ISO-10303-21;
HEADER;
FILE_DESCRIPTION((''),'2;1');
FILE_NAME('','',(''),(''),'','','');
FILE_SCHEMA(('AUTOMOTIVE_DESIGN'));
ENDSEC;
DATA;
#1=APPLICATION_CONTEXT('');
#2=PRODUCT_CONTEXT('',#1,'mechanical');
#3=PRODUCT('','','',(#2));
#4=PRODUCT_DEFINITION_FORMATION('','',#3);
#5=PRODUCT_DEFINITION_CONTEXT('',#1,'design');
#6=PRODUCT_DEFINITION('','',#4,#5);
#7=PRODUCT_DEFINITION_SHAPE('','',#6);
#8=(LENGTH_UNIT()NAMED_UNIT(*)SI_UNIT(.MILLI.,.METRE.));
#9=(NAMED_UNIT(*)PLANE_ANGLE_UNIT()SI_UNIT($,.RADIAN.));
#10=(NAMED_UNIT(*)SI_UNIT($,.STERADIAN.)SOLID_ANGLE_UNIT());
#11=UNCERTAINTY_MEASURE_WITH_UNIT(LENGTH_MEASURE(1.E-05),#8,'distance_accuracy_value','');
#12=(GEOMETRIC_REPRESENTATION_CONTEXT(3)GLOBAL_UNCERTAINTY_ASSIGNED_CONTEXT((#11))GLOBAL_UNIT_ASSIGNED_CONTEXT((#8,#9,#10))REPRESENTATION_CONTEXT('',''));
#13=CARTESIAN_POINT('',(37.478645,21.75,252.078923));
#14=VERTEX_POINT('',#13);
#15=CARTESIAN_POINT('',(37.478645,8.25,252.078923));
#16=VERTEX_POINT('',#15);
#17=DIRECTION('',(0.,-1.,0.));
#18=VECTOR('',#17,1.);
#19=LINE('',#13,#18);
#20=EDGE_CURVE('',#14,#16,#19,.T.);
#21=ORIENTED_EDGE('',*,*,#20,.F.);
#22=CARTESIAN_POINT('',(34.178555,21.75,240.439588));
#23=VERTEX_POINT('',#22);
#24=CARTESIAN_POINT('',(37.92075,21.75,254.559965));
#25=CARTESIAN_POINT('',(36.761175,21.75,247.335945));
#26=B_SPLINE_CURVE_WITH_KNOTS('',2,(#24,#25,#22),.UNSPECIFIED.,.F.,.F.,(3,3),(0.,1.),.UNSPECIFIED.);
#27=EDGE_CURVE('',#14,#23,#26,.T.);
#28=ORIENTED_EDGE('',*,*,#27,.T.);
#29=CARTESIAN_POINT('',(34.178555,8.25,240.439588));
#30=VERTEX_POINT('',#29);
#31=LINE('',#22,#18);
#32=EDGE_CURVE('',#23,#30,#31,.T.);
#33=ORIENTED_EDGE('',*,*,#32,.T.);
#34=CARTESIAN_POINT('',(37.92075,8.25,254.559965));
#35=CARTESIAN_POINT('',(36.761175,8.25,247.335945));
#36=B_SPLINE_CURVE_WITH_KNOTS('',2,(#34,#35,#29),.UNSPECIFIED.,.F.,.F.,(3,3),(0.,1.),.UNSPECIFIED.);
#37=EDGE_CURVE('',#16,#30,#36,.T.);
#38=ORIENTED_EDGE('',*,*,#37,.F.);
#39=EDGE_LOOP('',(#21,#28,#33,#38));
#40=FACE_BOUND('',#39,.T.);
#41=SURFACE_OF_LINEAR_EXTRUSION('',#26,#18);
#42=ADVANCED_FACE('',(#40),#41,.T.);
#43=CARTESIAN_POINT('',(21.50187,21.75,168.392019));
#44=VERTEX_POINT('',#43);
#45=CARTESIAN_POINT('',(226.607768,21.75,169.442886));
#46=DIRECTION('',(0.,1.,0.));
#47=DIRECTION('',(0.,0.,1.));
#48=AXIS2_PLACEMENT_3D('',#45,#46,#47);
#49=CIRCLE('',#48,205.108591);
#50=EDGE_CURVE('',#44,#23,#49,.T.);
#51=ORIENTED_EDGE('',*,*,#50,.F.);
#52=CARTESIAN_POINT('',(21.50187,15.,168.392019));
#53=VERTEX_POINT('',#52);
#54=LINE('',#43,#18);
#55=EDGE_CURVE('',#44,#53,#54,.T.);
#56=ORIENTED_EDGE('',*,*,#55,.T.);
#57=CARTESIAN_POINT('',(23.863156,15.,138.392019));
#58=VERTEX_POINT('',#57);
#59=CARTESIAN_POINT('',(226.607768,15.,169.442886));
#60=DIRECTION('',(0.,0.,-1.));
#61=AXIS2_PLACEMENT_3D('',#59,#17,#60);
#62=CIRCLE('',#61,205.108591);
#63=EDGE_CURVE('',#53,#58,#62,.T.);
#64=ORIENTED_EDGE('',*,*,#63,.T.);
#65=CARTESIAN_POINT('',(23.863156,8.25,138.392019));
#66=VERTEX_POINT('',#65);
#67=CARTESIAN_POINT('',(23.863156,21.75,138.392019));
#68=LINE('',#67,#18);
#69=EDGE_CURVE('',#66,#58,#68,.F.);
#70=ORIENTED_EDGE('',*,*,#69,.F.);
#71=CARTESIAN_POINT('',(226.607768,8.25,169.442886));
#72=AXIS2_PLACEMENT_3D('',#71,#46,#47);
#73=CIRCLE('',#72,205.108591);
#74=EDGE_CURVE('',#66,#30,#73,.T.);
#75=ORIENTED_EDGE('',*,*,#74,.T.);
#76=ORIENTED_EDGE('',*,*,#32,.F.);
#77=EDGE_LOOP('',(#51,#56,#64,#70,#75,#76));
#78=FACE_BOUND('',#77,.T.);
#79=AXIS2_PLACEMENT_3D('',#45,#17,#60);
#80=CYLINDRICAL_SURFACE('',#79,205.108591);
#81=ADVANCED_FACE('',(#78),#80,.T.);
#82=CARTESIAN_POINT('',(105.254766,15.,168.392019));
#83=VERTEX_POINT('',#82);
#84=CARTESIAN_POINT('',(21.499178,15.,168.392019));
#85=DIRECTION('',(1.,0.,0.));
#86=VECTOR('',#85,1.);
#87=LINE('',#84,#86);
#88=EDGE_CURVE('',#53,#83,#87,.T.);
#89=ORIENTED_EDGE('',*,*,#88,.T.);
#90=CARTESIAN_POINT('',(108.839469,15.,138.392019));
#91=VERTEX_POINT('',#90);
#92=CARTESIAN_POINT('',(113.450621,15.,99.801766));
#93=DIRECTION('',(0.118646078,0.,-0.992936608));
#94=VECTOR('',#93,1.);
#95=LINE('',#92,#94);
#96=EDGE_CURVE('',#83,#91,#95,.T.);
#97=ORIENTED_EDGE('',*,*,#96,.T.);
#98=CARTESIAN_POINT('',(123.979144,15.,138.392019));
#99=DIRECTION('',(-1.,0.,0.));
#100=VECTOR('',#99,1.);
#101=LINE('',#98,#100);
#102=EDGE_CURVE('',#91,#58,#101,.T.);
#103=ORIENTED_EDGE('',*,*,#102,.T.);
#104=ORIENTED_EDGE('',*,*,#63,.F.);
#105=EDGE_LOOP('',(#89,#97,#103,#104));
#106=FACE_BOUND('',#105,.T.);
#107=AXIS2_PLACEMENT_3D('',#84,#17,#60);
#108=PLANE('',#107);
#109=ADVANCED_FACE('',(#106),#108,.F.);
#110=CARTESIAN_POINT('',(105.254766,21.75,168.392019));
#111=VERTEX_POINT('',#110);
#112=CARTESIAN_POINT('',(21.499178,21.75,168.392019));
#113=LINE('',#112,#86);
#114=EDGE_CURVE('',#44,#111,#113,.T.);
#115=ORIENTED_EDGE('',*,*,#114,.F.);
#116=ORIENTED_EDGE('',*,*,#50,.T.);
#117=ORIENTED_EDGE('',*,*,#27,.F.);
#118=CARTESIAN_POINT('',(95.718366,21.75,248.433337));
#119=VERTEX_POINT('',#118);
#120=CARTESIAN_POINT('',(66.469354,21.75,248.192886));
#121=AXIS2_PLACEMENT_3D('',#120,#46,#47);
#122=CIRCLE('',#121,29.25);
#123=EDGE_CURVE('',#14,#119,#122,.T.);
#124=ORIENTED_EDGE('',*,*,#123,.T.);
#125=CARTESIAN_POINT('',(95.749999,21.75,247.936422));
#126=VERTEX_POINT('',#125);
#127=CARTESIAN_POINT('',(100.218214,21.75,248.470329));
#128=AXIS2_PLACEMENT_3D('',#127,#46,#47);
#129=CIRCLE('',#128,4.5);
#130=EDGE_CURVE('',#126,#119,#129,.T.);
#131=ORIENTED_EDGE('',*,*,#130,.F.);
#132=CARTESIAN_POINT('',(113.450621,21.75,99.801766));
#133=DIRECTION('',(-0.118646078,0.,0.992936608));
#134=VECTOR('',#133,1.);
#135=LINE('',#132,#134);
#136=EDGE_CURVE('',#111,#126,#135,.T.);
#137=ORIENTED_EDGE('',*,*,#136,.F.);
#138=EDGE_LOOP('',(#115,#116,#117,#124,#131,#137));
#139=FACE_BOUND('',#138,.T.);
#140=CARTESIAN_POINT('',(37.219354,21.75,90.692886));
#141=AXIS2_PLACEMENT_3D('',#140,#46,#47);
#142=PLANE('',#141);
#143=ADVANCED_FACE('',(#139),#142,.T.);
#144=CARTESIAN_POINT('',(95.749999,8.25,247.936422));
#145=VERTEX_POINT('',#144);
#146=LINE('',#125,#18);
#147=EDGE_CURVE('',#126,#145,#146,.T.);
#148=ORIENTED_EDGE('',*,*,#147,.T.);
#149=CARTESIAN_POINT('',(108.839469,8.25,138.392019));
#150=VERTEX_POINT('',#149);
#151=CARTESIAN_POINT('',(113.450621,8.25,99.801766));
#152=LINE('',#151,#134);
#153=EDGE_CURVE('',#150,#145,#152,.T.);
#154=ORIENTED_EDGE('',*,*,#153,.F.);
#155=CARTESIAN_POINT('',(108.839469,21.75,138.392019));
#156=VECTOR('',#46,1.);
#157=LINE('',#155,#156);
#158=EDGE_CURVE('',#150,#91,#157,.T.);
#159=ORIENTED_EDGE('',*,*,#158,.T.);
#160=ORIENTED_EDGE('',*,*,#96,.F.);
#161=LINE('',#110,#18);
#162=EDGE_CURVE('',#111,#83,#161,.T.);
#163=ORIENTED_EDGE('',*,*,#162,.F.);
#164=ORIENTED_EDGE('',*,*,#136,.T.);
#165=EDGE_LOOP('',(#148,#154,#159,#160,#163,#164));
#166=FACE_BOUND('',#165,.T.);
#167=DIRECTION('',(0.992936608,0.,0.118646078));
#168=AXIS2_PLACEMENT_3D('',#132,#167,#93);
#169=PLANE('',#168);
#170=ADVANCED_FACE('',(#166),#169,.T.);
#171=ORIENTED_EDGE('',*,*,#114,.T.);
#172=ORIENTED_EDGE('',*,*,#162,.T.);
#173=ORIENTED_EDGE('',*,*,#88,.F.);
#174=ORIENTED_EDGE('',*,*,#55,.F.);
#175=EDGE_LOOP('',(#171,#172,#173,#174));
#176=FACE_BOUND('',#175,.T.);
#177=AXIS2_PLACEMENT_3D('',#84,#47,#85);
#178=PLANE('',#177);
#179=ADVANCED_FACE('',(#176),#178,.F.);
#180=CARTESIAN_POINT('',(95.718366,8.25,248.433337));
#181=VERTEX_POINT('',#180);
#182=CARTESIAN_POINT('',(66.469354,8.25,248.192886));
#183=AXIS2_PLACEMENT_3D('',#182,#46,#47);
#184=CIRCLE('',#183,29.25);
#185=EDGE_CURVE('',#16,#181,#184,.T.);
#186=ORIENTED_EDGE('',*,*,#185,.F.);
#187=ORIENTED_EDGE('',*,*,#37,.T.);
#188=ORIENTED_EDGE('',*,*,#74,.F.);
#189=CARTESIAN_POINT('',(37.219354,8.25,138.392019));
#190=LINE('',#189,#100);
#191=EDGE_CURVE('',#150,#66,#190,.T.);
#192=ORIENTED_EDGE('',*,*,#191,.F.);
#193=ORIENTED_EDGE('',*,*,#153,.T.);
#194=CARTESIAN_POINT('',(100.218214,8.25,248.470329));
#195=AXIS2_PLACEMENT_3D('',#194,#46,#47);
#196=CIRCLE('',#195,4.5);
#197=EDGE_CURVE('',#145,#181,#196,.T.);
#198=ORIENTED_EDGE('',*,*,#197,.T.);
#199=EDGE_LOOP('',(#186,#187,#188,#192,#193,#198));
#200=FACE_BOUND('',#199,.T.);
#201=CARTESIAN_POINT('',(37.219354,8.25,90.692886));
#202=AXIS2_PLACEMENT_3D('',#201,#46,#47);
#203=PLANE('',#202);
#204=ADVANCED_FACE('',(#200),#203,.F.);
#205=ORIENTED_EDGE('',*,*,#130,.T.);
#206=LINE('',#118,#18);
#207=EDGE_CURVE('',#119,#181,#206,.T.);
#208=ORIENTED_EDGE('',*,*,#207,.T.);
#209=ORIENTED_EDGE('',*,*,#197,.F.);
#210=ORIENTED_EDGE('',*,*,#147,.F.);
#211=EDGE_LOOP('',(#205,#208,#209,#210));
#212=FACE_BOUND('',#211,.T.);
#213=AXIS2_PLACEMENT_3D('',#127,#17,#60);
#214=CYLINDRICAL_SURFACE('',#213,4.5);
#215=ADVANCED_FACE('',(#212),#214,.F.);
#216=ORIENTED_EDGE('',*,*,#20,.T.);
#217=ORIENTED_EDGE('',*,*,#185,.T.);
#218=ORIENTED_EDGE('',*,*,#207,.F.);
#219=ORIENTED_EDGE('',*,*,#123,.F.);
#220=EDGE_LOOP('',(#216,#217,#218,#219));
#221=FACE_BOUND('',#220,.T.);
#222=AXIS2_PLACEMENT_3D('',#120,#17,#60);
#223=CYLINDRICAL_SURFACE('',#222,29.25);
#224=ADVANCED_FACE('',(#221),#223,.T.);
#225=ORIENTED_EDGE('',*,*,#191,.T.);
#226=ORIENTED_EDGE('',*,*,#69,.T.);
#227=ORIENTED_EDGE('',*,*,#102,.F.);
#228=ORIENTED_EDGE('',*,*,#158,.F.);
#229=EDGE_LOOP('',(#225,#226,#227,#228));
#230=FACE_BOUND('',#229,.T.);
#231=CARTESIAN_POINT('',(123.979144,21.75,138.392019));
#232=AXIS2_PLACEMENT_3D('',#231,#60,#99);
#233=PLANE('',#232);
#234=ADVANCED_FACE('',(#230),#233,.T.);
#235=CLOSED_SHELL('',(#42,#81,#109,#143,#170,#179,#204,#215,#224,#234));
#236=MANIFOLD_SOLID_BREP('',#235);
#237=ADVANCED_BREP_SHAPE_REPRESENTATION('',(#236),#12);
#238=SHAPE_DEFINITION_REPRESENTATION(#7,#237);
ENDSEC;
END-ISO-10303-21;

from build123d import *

# Parameters (mm, degrees)
BOSS_EXTRU_7_DEPTH      = 30
ECHELLE1_SCALE          = 0.45
ESQUISSE2_W             = 105.662811699
ESQUISSE2_H             = 110
ENL_V_MAT_EXTRU_1_DEPTH = 22.7500001
ESQUISSE3_W             = 30
ESQUISSE3_H             = 6.75
ENL_V_MAT_EXTRU_3_DEPTH = 560.216594492


with BuildPart() as part:
    # Esquisse1 → Boss.-Extru.7 (new body)
    with BuildSketch(Plane(origin=(0, 0, 0), x_dir=(1, 0, 0), z_dir=(0, 1, 0))):
        with BuildLine():
            Line((130.068099718, -349.430080583), (176.932850794, 42.776117227))
            ThreePointArc((176.932850794, 42.776117227), (140.21219631, 65.055468432), (104.297030791, 41.49964449))
            ThreePointArc((104.297030791, 41.49964449), (83.352659725, 49.557480865), (63.285053961, 39.513248426))
            ThreePointArc((63.285053961, 39.513248426), (24.333712458, 39.346724586), (0.792917217, 8.313424819))
            add(Edge.make_bspline(
                [(0.792917217, 8.313424819), (-2.209813164, -2.681427076), (-5.40896856, -13.621959217)],
                knots=[0.221662646, 0.221662646, 0.221662646, 1, 1, 1], degree=2))
            ThreePointArc((-5.40896856, -13.621959217), (-34.929657478, -173.074330833), (-6.757332127, -332.770448419))
            add(Edge.make_bspline(
                [(-6.757332127, -332.770448419), (-2.007582254, -345.453681588), (0.57620201, -358.635638513)],
                knots=[0.963730152, 0.963730152, 0.963730152, 1.791334476, 1.791334476, 1.791334476], degree=2))
            ThreePointArc((0.57620201, -358.635638513), (69.060806185, -414.873028703), (129.997803695, -350.534335844))
            ThreePointArc((129.997803695, -350.534335844), (130.017666903, -349.981235195), (130.068099718, -349.430080583))
        make_face()
    extrude(amount=BOSS_EXTRU_7_DEPTH)


with BuildPart() as part_1:
    # Echelle1: scaled about (67.671552852, 15, 164.896156294)
    add(part.part.scale(ECHELLE1_SCALE).moved(Location((37.219354069, 8.25, 90.692885962))))

    # Esquisse2 → Enlèv. mat.-Extru.1 (cut, through all)
    with BuildSketch(Plane(origin=(0, 0, 0), x_dir=(1, 0, 0), z_dir=(0, 1, 0))):
        with Locations((71.147737752, -83.392019497)):
            Rectangle(ESQUISSE2_W, ESQUISSE2_H)
    extrude(amount=ENL_V_MAT_EXTRU_1_DEPTH, mode=Mode.SUBTRACT)

    # Esquisse3 → Enlèv. mat.-Extru.3 (cut, through all)
    with BuildSketch(Plane(origin=(580.715772067, 0, 0), x_dir=(0, 0, -1), z_dir=(1, 0, 0))):
        with Locations((-153.392019497, 18.375)):
            Rectangle(ESQUISSE3_W, ESQUISSE3_H)
    extrude(amount=-ENL_V_MAT_EXTRU_3_DEPTH, mode=Mode.SUBTRACT)


solid = part_1.part
